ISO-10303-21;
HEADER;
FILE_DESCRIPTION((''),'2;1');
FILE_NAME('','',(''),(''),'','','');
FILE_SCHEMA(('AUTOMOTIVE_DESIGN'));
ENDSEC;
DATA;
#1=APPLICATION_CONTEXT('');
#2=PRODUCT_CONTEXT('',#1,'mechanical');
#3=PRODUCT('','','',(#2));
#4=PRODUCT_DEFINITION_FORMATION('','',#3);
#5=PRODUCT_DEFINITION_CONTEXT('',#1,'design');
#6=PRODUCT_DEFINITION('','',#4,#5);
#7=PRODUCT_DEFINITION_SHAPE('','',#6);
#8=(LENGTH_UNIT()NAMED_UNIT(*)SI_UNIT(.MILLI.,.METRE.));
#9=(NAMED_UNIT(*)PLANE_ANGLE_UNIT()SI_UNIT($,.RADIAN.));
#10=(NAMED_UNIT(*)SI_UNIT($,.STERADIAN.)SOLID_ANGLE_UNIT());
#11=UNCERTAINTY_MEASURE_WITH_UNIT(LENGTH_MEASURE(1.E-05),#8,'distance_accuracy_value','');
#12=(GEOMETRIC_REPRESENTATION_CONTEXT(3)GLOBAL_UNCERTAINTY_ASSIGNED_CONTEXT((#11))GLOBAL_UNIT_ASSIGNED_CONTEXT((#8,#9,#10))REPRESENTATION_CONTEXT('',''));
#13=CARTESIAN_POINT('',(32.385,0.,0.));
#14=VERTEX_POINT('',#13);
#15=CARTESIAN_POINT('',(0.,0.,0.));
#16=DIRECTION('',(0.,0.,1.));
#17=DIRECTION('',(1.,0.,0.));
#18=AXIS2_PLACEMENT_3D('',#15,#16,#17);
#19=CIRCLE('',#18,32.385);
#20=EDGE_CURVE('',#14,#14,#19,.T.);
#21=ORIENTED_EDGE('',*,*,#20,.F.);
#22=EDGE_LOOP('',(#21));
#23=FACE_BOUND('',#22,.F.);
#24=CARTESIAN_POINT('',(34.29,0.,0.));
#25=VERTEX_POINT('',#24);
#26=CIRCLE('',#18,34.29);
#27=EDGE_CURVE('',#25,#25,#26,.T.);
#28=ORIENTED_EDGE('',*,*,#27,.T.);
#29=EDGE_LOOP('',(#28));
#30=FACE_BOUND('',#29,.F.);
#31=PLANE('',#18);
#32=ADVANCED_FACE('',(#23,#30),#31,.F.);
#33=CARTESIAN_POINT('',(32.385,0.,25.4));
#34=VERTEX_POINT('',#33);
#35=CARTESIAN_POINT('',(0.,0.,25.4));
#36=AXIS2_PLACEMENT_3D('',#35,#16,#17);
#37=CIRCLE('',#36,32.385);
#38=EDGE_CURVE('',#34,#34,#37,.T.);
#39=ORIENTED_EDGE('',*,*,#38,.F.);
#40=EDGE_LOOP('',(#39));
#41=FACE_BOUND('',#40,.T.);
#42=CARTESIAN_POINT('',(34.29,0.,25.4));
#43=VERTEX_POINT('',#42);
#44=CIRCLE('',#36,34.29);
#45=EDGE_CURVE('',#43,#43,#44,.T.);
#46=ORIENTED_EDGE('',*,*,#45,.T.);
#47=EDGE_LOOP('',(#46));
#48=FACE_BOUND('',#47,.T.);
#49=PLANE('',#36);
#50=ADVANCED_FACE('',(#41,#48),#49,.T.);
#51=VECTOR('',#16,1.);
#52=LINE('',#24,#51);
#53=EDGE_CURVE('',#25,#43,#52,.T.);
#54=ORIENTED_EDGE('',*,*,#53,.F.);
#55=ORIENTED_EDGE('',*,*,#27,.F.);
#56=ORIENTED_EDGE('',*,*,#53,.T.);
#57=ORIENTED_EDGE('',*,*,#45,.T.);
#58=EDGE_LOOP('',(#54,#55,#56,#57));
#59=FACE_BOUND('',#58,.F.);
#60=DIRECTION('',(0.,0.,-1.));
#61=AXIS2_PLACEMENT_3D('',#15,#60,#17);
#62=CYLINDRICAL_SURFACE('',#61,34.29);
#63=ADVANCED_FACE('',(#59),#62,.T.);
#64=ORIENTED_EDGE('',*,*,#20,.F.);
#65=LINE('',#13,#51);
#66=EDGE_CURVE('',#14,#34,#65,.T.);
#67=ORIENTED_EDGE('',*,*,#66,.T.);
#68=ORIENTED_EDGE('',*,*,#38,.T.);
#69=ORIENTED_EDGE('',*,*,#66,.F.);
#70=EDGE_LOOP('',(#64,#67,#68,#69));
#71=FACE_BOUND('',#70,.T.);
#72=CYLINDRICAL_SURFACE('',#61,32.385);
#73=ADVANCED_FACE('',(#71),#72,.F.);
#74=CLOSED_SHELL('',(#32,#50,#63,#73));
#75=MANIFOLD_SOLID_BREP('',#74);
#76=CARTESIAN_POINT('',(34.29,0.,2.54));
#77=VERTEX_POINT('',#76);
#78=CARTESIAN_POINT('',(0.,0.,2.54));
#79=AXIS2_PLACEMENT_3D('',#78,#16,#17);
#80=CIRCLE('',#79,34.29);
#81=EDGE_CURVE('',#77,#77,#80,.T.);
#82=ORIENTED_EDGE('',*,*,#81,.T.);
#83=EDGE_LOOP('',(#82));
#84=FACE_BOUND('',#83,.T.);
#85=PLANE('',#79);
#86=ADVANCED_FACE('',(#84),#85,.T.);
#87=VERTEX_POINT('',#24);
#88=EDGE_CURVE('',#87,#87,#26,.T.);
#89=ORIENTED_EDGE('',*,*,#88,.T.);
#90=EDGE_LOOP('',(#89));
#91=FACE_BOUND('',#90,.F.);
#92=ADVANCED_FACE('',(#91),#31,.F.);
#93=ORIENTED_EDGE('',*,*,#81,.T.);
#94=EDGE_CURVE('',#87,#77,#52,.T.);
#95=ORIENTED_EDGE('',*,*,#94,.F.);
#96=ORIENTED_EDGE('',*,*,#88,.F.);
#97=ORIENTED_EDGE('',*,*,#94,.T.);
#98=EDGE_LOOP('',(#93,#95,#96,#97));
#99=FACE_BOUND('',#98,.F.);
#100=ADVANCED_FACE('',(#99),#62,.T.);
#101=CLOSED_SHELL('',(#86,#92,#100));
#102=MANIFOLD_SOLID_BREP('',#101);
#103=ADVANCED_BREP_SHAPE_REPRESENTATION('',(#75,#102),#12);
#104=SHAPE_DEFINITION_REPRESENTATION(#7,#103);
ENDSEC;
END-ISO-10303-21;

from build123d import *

# Parameters (mm, degrees)
F0_R     = 34.29
F0_R_2   = 32.385
F1_DEPTH = 2.54
F2_DEPTH = 25.4


with BuildPart() as f1:
    # F0 (on Top) → F1 (new body)
    with BuildSketch(Plane.XY):
        Circle(F0_R)
        Circle(F0_R_2, mode=Mode.SUBTRACT)
        Circle(F0_R_2)
    extrude(amount=F1_DEPTH)


with BuildPart() as f2:
    # F0 (on Top) → F2 (new body)
    with BuildSketch(Plane.XY):
        Circle(F0_R)
        Circle(F0_R_2, mode=Mode.SUBTRACT)
    extrude(amount=F2_DEPTH)


solid = Compound([f1.part, f2.part])
